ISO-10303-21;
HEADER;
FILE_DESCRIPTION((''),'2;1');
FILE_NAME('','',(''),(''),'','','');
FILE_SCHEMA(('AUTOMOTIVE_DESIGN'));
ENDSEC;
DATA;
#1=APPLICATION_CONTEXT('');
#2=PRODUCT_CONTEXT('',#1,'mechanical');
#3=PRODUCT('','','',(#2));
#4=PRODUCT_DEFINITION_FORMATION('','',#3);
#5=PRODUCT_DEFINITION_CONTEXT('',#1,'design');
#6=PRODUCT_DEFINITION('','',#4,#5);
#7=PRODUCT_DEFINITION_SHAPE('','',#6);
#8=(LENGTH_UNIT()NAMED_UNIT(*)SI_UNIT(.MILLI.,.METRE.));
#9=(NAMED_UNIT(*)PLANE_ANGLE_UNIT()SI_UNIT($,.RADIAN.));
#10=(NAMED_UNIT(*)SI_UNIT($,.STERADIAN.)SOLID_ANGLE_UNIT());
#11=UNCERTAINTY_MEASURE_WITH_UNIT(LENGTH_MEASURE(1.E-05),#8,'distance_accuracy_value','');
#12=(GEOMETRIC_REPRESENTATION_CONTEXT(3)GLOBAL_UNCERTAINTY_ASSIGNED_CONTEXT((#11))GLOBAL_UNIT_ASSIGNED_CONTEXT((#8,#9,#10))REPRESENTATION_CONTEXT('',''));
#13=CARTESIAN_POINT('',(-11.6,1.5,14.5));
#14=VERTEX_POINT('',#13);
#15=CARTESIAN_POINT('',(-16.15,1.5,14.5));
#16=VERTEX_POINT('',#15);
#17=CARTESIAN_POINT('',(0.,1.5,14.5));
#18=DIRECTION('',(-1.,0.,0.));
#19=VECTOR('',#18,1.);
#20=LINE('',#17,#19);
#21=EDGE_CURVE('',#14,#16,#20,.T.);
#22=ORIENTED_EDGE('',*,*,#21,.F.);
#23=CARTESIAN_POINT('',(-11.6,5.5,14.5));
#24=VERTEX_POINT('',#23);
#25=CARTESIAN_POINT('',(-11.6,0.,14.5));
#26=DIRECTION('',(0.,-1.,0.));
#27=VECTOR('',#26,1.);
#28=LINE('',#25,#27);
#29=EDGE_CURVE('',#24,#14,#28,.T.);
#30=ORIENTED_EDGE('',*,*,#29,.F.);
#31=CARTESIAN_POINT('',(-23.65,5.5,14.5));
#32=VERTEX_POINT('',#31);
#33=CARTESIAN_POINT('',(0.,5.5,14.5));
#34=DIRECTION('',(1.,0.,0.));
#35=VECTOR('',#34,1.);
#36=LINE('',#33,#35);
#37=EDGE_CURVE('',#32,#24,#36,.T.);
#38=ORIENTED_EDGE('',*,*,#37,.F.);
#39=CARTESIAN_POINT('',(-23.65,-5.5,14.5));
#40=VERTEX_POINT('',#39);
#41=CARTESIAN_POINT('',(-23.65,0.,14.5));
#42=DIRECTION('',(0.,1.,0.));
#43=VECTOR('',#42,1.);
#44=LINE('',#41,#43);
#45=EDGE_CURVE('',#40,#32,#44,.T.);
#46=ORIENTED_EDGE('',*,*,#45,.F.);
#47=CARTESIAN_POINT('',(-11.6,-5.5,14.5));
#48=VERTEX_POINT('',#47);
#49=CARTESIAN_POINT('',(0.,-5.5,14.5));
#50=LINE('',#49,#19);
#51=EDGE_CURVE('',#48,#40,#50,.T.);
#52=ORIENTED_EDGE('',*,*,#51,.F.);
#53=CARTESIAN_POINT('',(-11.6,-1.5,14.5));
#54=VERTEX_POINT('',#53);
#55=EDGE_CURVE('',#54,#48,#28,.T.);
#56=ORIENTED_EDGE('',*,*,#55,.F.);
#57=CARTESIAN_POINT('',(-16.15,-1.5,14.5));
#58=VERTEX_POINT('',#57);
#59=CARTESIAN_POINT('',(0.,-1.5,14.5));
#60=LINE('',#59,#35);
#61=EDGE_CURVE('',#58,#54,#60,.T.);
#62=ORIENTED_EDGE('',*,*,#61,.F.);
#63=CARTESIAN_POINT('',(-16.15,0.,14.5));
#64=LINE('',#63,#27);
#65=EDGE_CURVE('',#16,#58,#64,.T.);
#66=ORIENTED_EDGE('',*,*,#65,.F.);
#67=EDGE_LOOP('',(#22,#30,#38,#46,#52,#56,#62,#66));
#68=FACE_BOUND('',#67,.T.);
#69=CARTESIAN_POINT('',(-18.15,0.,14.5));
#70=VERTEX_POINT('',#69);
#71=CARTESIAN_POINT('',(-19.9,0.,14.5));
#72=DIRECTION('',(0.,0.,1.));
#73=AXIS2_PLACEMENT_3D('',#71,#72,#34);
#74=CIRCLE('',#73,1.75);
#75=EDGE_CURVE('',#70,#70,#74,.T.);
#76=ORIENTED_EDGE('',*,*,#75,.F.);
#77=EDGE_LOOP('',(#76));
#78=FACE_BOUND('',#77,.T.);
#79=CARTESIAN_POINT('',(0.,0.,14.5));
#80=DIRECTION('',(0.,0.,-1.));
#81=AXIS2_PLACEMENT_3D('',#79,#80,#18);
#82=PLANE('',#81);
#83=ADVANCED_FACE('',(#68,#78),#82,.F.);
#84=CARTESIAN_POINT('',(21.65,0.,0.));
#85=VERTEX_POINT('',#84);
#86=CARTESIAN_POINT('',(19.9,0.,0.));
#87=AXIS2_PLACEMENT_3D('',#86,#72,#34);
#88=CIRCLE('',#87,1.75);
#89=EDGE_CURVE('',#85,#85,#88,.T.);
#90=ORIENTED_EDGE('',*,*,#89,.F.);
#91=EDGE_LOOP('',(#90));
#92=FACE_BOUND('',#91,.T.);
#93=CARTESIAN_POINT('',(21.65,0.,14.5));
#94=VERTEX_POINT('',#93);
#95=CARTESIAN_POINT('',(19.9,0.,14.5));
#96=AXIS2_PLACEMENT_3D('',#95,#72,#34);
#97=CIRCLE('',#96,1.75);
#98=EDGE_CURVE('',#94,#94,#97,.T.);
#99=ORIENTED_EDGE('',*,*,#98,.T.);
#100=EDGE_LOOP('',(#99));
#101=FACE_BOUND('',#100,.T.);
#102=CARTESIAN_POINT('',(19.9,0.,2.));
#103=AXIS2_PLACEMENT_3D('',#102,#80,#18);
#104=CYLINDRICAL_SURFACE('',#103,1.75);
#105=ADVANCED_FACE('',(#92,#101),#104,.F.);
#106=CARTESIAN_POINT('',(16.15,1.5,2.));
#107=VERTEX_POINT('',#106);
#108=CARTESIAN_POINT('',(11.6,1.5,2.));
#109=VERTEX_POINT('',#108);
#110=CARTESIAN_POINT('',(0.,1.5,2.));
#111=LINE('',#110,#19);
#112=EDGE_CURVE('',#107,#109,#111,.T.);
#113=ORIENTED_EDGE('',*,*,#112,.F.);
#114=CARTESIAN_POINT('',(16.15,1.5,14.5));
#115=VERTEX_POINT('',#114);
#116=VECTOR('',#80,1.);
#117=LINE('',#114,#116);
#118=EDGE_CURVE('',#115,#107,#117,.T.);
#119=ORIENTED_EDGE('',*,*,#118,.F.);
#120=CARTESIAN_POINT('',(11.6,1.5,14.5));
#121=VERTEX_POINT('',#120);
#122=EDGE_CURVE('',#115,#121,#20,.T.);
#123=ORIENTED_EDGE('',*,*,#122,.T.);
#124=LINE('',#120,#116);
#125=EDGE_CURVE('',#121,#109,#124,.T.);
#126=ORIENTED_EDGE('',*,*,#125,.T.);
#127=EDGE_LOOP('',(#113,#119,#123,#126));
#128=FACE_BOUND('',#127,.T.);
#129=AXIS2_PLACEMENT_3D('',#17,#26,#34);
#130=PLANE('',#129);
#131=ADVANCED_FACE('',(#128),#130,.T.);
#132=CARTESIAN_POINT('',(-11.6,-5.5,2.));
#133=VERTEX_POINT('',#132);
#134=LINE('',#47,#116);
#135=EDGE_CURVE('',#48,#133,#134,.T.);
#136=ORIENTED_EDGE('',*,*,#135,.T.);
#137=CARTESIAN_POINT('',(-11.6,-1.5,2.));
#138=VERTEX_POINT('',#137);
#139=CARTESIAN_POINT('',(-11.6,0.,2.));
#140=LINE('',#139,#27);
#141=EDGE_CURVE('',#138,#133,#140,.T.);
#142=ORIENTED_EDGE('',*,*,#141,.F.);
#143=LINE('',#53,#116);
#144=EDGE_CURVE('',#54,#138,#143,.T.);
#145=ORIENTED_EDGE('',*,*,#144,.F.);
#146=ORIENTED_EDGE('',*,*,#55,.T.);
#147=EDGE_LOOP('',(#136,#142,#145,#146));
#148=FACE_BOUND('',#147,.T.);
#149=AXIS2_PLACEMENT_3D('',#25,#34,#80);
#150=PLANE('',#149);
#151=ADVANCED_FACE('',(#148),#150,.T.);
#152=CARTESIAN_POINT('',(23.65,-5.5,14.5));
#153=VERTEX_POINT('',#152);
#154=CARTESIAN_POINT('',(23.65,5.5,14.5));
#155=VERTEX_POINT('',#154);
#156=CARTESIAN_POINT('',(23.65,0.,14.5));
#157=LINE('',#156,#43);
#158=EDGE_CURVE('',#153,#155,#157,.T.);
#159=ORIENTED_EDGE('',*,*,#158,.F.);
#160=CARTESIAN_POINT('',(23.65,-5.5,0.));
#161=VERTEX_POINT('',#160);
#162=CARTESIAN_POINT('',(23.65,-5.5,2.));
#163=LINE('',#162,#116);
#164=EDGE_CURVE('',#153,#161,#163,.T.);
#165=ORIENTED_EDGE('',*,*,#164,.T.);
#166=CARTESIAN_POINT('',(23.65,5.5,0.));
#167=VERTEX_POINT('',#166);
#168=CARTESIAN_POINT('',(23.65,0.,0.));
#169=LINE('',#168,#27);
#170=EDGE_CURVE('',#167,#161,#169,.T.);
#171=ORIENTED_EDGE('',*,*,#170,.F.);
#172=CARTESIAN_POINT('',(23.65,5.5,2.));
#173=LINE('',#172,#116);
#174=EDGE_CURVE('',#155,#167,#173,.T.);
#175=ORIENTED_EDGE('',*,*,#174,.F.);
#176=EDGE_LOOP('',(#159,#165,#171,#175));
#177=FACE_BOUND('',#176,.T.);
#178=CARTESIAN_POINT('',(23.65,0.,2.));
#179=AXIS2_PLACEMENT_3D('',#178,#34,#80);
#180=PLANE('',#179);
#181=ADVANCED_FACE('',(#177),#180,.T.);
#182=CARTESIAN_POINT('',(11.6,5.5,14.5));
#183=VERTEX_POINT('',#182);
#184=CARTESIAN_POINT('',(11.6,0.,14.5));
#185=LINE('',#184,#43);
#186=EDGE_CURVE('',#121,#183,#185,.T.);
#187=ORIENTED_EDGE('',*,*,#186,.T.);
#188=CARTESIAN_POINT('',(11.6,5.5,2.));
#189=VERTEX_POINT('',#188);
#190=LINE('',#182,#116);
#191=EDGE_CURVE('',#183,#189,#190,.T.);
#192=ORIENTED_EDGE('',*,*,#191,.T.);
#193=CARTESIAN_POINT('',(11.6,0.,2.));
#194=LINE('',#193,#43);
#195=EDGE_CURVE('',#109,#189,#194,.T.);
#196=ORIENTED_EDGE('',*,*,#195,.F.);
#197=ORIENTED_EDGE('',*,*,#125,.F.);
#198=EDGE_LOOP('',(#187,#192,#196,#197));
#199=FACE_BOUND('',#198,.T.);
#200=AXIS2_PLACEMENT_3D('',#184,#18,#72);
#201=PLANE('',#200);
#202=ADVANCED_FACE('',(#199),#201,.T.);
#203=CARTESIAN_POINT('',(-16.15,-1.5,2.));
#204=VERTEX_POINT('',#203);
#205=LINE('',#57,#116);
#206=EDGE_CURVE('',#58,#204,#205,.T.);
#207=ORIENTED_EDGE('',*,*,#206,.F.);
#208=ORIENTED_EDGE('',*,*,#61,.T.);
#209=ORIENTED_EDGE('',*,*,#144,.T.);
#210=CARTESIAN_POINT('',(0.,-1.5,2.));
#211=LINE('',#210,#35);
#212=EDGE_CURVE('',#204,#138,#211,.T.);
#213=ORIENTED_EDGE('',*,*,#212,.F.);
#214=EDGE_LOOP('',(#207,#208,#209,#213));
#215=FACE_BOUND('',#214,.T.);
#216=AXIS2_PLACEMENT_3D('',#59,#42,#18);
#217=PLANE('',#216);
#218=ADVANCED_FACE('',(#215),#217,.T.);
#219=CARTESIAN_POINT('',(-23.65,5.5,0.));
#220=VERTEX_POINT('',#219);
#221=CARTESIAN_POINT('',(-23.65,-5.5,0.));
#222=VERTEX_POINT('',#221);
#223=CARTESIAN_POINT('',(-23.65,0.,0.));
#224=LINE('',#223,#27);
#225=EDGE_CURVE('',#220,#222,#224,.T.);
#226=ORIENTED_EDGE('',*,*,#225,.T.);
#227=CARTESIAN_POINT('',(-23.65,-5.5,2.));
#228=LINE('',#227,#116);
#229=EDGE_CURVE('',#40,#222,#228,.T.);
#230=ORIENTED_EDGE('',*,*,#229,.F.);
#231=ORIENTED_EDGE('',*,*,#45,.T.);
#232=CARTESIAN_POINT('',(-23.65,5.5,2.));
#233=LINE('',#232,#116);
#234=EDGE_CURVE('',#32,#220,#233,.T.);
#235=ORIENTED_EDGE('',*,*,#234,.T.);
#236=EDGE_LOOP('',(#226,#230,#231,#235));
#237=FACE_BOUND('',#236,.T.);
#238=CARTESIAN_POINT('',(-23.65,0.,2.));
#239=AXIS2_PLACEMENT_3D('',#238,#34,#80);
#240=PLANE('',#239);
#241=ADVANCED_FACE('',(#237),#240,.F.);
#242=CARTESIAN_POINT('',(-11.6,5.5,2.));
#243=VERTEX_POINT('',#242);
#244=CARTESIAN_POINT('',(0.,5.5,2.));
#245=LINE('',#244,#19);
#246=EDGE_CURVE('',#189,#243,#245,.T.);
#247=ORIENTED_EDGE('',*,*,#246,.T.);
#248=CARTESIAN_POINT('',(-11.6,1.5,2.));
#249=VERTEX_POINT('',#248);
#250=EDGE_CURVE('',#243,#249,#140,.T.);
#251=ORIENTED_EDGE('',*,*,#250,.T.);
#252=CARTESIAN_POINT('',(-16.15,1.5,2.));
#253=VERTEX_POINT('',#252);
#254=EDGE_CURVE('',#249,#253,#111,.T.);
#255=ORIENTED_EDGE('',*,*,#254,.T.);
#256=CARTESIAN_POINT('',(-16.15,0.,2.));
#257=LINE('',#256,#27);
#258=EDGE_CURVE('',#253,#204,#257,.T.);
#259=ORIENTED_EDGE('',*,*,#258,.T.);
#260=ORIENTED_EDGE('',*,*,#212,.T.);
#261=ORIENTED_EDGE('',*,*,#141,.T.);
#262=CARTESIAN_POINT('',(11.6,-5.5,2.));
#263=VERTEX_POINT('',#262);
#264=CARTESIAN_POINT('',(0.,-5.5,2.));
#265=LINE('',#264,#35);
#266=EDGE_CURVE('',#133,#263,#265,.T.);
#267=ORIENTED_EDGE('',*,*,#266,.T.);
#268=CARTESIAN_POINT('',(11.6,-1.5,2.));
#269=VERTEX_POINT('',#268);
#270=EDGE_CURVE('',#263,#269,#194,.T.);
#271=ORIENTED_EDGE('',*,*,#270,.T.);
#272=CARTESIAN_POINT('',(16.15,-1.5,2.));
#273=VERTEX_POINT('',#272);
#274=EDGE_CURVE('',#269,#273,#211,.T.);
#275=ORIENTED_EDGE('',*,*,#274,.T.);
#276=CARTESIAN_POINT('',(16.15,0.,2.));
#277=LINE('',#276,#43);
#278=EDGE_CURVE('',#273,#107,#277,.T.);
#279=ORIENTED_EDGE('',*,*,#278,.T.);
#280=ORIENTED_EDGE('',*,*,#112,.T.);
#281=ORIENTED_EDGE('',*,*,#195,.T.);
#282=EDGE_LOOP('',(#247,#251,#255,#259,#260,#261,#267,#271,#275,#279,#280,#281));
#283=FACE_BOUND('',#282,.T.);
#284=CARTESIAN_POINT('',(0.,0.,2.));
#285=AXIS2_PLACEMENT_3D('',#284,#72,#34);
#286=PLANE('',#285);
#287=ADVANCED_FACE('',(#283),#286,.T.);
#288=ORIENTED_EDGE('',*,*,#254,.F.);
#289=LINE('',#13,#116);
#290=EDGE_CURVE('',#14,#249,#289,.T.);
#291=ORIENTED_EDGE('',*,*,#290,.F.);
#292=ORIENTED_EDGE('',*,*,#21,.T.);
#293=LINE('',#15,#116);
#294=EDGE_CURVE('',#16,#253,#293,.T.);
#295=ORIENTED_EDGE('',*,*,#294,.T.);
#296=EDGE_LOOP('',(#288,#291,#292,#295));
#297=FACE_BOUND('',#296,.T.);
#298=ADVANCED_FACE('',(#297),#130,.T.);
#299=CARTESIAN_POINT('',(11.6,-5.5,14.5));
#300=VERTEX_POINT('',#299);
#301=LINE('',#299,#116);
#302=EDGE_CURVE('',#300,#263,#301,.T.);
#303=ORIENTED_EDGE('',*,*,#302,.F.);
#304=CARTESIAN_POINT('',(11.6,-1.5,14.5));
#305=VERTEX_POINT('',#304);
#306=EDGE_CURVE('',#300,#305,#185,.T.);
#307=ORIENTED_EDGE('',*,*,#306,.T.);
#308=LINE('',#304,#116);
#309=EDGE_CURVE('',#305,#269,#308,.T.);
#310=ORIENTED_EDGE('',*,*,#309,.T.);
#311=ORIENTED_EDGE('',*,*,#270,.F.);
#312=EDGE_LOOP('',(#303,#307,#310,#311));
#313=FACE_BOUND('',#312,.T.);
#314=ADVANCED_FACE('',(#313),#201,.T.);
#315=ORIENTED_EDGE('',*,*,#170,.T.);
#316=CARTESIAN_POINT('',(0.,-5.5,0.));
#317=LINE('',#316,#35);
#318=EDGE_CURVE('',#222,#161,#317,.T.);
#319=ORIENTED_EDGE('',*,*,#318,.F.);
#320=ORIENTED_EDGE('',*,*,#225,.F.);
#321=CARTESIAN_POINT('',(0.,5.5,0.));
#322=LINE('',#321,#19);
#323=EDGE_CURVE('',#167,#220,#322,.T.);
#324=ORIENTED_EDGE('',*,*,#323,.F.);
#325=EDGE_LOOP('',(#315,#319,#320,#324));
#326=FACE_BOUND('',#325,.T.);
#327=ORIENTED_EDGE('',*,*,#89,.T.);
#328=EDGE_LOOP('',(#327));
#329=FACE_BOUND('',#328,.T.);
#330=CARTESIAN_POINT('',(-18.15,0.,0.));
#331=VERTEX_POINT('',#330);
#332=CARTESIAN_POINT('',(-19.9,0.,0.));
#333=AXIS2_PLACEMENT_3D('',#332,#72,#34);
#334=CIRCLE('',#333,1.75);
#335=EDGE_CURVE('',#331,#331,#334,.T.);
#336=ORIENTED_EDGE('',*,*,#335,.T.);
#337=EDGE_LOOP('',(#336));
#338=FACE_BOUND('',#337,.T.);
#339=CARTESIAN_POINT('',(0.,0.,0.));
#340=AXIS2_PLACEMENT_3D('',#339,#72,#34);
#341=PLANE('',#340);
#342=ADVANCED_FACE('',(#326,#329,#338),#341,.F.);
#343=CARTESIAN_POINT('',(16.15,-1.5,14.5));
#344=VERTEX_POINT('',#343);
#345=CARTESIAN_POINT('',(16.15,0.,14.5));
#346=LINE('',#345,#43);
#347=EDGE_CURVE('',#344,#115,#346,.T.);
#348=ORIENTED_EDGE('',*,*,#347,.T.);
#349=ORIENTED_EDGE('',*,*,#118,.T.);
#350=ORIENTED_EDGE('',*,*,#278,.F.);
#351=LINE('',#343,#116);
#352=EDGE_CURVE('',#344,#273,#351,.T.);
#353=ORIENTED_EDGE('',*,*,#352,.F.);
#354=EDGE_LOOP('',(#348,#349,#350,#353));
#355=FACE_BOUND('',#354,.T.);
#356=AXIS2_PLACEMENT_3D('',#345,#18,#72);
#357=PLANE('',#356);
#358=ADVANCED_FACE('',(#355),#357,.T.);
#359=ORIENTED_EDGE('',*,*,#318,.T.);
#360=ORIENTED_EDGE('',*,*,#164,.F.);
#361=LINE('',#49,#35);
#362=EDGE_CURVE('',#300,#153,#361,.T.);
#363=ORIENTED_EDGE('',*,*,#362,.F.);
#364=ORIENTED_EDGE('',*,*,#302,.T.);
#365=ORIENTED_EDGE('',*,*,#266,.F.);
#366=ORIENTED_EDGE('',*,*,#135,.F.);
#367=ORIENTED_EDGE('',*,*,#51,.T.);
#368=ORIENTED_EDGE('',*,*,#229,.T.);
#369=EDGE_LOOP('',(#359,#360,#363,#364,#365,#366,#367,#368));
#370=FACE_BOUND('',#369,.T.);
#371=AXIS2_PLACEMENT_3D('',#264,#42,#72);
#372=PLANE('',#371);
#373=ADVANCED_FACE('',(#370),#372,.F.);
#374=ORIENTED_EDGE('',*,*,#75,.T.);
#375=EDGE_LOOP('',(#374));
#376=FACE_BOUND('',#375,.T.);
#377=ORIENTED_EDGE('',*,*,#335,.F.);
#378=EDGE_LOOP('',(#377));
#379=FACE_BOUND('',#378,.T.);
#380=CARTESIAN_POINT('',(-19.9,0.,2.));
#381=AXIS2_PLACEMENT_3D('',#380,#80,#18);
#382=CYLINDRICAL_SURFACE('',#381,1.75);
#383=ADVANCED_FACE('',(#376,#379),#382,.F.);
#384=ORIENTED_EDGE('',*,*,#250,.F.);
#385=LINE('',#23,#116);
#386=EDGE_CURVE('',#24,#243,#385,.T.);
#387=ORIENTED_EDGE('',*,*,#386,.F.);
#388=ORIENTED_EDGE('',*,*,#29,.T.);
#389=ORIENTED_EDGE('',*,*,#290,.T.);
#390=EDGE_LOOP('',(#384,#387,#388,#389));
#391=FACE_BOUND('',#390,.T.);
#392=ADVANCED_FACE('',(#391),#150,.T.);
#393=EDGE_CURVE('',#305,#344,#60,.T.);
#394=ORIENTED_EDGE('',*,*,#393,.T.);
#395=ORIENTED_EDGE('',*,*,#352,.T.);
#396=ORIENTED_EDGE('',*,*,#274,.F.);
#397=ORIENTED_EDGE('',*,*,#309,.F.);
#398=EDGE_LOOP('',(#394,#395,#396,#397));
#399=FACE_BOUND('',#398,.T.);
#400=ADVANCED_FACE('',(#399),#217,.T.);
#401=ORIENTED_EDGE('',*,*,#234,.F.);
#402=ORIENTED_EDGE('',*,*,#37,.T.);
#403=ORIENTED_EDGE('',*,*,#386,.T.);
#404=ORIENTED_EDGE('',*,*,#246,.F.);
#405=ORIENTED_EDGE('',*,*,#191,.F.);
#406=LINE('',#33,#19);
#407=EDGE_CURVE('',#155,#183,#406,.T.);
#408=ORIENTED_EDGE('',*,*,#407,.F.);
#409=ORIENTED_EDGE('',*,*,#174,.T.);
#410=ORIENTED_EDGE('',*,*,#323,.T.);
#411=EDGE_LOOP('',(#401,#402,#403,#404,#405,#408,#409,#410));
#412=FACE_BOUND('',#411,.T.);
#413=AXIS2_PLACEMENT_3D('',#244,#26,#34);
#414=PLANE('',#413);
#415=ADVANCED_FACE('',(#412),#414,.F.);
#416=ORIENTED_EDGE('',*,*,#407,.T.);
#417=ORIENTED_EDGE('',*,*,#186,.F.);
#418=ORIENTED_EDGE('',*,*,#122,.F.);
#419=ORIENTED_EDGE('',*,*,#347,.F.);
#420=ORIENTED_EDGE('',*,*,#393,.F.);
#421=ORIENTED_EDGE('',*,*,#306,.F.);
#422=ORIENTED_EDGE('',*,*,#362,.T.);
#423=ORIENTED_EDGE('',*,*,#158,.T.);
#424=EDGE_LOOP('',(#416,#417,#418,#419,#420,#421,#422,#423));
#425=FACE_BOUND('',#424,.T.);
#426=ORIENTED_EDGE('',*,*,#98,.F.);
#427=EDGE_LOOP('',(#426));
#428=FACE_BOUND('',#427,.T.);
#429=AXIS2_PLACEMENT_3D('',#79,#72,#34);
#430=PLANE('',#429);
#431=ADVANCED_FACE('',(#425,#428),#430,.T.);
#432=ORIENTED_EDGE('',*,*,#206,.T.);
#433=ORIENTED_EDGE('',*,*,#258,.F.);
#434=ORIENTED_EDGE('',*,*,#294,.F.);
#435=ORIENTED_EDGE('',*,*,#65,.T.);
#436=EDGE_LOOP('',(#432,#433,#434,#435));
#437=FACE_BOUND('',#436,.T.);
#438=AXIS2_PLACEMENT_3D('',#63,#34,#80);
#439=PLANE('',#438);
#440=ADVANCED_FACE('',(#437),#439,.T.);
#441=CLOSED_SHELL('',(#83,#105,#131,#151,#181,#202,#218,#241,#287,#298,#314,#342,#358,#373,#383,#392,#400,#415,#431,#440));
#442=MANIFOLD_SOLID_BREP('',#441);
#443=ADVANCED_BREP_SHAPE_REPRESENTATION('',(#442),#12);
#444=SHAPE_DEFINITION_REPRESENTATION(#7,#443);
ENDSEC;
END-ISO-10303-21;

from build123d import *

# Parameters (mm, degrees)
SKETCH1_R           = 1.75
BOSS_EXTRUDE1_DEPTH = 2
BOSS_EXTRUDE2_START = 2
SKETCH1_3_R         = 1.75
BOSS_EXTRUDE2_DEPTH = 12.5


with BuildPart() as part:
    # Sketch1 → Boss-Extrude1 (new body)
    with BuildSketch(Plane.XY):
        Polygon((-23.65, 5.5), (-23.65, -5.5), (-11.6, -5.5), (-11.6, -1.5), (-16.15, -1.5), (-16.15, 1.5), (-11.6, 1.5), (-11.6, 5.5), align=None)
        with Locations((-19.9, 0)):
            Circle(SKETCH1_R, mode=Mode.SUBTRACT)
        Polygon((-11.6, 1.5), (-11.6, 5.5), (11.6, 5.5), (11.6, 1.5), (16.15, 1.5), (16.15, -1.5), (11.6, -1.5), (11.6, -5.5), (-11.6, -5.5), (-11.6, -1.5), (-16.15, -1.5), (-16.15, 1.5), align=None)
        Polygon((23.65, -5.5), (11.6, -5.5), (11.6, -1.5), (16.15, -1.5), (16.15, 1.5), (11.6, 1.5), (11.6, 5.5), (23.65, 5.5), align=None)
        with Locations((19.9, 0)):
            Circle(SKETCH1_R, mode=Mode.SUBTRACT)
    extrude(amount=BOSS_EXTRUDE1_DEPTH)

    # Sketch1<3> → Boss-Extrude2 (add)
    with BuildSketch(Plane.XY.offset(BOSS_EXTRUDE2_START)):
        Polygon((-23.65, 5.5), (-23.65, -5.5), (-11.6, -5.5), (-11.6, -1.5), (-16.15, -1.5), (-16.15, 1.5), (-11.6, 1.5), (-11.6, 5.5), align=None)
        with Locations((-19.9, 0)):
            Circle(SKETCH1_3_R, mode=Mode.SUBTRACT)
        Polygon((23.65, -5.5), (11.6, -5.5), (11.6, -1.5), (16.15, -1.5), (16.15, 1.5), (11.6, 1.5), (11.6, 5.5), (23.65, 5.5), align=None)
        with Locations((19.9, 0)):
            Circle(SKETCH1_3_R, mode=Mode.SUBTRACT)
    extrude(amount=BOSS_EXTRUDE2_DEPTH)


solid = part.part
